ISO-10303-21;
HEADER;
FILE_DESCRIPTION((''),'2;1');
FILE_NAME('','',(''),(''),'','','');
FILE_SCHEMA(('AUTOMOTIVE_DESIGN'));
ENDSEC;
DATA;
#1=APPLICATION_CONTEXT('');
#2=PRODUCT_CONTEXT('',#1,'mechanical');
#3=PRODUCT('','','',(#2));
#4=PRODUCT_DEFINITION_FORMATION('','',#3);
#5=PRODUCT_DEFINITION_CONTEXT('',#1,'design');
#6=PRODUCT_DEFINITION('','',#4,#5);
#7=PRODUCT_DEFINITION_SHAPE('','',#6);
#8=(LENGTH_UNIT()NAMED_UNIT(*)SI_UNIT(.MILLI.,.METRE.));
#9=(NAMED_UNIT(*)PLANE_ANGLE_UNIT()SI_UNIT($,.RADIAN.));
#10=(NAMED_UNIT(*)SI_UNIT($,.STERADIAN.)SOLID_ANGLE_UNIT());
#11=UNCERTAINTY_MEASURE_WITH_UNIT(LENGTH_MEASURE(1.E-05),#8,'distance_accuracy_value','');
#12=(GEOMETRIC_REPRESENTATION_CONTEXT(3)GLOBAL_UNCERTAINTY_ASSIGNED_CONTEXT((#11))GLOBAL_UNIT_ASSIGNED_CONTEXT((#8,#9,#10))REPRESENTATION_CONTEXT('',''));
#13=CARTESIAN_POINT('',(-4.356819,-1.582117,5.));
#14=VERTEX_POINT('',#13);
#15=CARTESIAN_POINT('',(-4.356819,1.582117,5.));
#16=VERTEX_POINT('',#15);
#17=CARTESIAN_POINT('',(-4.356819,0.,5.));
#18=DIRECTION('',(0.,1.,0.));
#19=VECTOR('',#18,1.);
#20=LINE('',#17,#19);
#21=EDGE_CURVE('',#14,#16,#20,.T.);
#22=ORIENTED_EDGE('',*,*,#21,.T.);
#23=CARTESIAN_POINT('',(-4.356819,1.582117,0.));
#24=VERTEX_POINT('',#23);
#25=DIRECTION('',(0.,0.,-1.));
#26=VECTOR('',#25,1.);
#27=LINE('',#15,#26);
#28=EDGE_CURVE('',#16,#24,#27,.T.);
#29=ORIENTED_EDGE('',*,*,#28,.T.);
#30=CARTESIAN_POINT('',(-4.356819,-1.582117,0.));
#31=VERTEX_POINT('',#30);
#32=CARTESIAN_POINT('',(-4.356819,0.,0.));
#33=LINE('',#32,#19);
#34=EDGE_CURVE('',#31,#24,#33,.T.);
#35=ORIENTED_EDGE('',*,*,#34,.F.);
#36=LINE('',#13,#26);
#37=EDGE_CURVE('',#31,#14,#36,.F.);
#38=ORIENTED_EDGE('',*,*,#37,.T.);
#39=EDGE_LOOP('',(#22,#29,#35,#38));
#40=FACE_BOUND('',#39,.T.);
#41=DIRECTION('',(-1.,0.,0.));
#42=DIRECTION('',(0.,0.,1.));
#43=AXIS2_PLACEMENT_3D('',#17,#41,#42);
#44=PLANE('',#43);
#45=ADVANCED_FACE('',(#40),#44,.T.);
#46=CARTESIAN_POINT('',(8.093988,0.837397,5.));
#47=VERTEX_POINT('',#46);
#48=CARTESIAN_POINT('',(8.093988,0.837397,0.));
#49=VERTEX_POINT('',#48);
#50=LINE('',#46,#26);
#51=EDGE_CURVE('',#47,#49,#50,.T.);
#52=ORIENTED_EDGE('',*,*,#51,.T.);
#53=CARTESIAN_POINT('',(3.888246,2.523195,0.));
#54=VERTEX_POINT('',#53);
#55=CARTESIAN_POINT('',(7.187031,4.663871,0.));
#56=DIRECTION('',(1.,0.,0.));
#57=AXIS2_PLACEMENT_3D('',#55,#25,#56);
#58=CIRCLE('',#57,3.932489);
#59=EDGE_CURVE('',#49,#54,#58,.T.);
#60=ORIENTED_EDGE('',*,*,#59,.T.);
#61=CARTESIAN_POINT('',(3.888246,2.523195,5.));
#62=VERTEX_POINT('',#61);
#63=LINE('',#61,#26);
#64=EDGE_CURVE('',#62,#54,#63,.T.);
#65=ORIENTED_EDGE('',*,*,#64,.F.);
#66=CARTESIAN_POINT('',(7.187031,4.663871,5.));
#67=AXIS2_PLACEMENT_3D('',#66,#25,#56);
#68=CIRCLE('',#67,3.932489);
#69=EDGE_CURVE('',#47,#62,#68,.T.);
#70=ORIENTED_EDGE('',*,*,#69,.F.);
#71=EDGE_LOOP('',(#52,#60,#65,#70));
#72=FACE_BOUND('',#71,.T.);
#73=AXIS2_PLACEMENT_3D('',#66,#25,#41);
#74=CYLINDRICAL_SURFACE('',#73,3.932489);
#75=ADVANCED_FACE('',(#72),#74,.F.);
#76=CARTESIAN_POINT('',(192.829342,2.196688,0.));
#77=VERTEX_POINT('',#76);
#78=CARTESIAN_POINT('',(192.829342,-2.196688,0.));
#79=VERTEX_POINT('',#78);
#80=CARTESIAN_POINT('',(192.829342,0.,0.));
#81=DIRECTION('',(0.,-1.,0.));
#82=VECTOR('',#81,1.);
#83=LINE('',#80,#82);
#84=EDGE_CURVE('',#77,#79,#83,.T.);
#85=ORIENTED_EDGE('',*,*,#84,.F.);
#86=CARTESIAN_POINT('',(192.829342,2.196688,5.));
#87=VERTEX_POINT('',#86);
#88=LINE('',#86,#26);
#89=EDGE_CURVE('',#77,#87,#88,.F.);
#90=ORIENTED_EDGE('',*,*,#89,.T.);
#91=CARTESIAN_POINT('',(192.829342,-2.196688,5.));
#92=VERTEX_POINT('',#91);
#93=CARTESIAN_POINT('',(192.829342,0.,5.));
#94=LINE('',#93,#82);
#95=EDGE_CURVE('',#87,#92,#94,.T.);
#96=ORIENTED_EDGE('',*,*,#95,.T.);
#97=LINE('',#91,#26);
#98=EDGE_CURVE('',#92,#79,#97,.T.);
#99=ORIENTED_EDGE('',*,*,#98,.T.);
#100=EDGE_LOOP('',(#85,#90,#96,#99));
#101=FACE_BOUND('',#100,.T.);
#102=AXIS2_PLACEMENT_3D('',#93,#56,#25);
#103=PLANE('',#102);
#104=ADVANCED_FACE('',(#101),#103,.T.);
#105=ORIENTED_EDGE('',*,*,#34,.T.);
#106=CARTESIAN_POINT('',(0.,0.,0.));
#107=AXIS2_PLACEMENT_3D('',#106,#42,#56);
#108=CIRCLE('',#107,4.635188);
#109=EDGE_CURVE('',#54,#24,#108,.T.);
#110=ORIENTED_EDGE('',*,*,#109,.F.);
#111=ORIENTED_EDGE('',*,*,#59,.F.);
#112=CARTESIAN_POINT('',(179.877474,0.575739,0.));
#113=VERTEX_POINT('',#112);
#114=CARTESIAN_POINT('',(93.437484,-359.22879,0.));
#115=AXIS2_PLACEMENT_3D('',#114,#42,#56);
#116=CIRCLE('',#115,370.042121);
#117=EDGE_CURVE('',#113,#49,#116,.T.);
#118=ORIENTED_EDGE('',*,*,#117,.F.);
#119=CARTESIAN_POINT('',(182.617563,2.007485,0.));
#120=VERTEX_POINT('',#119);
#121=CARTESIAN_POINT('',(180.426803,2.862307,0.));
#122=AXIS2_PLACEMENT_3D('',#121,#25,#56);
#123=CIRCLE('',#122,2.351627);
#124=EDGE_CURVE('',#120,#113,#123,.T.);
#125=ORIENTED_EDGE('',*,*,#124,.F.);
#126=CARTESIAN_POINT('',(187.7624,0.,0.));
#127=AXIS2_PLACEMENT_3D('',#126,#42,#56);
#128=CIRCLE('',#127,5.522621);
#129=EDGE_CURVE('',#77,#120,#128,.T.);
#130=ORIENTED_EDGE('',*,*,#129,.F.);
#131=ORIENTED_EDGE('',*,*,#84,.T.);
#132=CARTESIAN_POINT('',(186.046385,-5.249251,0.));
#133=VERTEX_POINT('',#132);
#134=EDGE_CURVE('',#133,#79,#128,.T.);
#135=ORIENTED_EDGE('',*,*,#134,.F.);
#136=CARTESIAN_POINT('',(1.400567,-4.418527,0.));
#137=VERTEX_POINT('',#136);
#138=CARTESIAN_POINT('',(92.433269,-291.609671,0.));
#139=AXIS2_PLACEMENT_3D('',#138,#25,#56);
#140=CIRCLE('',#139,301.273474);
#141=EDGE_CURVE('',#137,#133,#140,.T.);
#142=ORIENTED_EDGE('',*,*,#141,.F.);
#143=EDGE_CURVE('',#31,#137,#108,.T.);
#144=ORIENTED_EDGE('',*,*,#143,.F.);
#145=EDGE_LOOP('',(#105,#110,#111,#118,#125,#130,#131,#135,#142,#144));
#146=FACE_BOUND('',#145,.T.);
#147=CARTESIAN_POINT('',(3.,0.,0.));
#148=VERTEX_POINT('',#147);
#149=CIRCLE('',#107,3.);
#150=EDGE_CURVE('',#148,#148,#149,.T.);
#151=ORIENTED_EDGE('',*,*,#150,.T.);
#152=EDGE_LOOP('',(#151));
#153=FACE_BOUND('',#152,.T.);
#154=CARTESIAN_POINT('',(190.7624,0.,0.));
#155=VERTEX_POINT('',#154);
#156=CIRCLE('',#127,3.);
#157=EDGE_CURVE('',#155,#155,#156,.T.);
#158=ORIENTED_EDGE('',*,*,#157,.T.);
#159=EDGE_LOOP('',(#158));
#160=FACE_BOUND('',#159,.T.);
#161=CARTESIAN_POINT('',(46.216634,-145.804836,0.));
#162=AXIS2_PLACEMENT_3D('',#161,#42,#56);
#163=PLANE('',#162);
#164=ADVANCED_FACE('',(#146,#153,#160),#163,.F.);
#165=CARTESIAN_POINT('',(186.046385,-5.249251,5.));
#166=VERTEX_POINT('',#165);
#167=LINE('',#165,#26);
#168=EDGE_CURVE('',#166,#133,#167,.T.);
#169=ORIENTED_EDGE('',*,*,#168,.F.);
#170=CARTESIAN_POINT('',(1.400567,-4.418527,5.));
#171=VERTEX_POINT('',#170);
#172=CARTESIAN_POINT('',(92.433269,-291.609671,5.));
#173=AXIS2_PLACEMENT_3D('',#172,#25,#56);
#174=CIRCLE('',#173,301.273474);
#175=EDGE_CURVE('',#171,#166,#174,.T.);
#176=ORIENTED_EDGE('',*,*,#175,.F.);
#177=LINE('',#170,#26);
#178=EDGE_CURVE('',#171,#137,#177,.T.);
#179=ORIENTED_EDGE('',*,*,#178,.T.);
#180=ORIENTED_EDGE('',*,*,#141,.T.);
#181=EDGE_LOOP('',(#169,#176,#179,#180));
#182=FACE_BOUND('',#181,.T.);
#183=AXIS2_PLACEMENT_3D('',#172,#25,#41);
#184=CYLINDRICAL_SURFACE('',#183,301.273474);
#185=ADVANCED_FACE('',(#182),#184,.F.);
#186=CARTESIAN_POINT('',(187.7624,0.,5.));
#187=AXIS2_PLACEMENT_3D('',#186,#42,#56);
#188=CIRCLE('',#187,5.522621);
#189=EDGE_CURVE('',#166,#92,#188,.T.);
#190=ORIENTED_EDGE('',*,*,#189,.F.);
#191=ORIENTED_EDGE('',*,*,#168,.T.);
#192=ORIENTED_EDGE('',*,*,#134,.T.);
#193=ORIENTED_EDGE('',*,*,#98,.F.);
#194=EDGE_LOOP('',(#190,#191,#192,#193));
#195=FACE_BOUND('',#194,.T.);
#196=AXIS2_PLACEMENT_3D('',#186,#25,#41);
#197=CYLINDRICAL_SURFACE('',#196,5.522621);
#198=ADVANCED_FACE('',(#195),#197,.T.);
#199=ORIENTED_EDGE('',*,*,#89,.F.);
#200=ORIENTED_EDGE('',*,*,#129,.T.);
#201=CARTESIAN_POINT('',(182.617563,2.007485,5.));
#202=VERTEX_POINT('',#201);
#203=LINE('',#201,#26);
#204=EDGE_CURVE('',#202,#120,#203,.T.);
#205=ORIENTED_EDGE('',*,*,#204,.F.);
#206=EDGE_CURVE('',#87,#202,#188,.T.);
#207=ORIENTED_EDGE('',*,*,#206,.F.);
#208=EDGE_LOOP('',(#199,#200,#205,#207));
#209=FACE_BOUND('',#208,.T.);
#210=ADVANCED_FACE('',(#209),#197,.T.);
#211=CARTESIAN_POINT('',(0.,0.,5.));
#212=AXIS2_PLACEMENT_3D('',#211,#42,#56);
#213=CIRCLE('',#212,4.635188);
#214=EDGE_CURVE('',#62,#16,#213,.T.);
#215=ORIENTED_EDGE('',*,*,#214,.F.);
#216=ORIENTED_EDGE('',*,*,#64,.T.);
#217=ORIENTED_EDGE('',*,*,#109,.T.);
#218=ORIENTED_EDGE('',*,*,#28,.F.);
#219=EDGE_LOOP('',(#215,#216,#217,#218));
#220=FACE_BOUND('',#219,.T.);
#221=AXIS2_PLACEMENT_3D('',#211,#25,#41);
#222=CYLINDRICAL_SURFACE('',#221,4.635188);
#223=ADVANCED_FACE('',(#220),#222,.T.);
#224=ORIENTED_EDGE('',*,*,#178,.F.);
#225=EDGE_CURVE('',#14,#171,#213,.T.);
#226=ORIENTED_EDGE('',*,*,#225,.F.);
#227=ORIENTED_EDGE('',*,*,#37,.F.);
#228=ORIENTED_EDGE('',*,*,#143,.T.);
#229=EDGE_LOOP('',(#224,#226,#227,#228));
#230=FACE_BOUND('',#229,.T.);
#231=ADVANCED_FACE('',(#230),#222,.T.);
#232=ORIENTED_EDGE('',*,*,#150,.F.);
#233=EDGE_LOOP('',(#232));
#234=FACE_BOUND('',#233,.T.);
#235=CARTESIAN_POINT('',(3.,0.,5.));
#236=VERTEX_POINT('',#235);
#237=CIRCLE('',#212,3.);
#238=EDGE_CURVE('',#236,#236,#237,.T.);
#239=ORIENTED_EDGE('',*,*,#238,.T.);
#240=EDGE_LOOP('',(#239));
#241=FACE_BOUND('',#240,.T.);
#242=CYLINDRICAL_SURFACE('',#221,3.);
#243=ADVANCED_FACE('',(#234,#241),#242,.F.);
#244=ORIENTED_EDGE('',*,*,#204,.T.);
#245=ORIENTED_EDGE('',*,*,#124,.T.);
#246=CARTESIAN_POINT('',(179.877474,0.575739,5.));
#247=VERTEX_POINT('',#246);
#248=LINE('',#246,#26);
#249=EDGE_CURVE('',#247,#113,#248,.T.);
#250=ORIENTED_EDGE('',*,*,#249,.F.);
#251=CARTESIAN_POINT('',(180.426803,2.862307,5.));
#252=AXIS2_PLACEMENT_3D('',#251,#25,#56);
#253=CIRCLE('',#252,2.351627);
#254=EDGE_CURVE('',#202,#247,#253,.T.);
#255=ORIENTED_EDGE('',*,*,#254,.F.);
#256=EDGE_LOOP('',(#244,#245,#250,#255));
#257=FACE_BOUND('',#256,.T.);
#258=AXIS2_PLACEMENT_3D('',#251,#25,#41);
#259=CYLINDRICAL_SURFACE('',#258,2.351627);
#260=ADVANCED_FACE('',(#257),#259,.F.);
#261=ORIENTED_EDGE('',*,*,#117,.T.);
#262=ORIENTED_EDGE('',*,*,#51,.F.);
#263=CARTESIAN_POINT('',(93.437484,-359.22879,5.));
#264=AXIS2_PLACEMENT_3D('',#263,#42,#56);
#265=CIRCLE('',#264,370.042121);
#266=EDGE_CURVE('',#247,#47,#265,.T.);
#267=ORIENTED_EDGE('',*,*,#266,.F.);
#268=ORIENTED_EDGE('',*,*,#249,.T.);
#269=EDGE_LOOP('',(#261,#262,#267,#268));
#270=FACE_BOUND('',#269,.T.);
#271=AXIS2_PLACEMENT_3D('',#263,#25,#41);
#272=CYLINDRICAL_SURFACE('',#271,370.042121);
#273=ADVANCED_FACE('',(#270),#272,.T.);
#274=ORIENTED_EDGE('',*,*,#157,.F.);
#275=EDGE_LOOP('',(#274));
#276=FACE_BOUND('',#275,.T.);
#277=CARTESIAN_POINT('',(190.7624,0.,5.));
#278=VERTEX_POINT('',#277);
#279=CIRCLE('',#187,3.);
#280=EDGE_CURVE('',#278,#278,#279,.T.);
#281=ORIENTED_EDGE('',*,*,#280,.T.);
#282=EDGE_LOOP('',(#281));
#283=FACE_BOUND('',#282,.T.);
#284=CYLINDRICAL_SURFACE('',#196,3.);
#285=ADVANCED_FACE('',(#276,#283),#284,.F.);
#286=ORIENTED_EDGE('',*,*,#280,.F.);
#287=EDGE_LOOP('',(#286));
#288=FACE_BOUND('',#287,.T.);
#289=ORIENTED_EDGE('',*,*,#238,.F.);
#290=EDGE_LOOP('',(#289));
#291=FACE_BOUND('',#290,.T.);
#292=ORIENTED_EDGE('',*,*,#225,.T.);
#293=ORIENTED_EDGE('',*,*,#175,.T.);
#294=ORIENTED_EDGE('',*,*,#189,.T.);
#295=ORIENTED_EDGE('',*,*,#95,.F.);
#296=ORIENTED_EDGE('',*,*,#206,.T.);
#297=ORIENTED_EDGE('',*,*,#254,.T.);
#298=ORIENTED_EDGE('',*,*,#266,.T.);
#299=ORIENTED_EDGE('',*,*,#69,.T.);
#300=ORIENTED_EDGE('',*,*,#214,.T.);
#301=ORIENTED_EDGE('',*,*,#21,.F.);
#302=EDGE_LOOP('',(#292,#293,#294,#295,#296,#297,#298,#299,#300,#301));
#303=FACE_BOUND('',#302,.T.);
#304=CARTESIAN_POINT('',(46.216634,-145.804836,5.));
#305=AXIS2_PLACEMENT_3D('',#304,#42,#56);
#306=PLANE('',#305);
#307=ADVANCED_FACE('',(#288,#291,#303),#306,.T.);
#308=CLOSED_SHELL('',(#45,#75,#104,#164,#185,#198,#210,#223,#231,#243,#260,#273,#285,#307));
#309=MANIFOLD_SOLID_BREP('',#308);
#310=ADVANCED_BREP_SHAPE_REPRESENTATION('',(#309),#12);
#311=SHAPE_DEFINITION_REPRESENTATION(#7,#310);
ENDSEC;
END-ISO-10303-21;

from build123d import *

# Parameters (mm, degrees)
SZKIC1_R                    = 3.000000079
DODANIE_WYCI_GNI_CIE1_DEPTH = 5
SZKIC2_W                    = 1.618528634
SZKIC2_H                    = 7.505645785
SZKIC2_W_2                  = 0.651830256
SZKIC2_H_2                  = 5.051684483
WYTNIJ_WYCI_GNI_CIE3_DEPTH  = 6


with BuildPart() as part:
    # Szkic1 → Dodanie-wyciągnięcie1 (new body)
    with BuildSketch(Plane.XY):
        with BuildLine():
            ThreePointArc((186.046385231, -5.249250637), (192.755682752, 2.359335985), (182.617563383, 2.007484775))
            ThreePointArc((182.617563383, 2.007484775), (181.515861501, 0.778055334), (179.877474491, 0.575739249))
            ThreePointArc((179.877474491, 0.575739249), (94.00112496, 10.812901668), (8.093987839, 0.837396921))
            ThreePointArc((8.093987839, 0.837396921), (5.72392167, 1.013694647), (3.88824622, 2.523194623))
            ThreePointArc((3.88824622, 2.523194623), (-4.363457527, 1.563716145), (1.400567067, -4.418527092))
            ThreePointArc((1.400567067, -4.418527092), (93.788687704, 9.660753619), (186.046385231, -5.249250637))
        make_face()
        Circle(SZKIC1_R, mode=Mode.SUBTRACT)
        with Locations((187.7624, 0)):
            Circle(SZKIC1_R, mode=Mode.SUBTRACT)
    extrude(amount=DODANIE_WYCI_GNI_CIE1_DEPTH)

    # Szkic2 → Wytnij-wyciągnięcie3 (cut, through all)
    with BuildSketch(Plane.XY):
        with Locations((193.638606269, 0.381285041)):
            Rectangle(SZKIC2_W, SZKIC2_H)
        with Locations((-4.682734605, -0.038745932)):
            Rectangle(SZKIC2_W_2, SZKIC2_H_2)
    extrude(amount=WYTNIJ_WYCI_GNI_CIE3_DEPTH, mode=Mode.SUBTRACT)


solid = part.part
